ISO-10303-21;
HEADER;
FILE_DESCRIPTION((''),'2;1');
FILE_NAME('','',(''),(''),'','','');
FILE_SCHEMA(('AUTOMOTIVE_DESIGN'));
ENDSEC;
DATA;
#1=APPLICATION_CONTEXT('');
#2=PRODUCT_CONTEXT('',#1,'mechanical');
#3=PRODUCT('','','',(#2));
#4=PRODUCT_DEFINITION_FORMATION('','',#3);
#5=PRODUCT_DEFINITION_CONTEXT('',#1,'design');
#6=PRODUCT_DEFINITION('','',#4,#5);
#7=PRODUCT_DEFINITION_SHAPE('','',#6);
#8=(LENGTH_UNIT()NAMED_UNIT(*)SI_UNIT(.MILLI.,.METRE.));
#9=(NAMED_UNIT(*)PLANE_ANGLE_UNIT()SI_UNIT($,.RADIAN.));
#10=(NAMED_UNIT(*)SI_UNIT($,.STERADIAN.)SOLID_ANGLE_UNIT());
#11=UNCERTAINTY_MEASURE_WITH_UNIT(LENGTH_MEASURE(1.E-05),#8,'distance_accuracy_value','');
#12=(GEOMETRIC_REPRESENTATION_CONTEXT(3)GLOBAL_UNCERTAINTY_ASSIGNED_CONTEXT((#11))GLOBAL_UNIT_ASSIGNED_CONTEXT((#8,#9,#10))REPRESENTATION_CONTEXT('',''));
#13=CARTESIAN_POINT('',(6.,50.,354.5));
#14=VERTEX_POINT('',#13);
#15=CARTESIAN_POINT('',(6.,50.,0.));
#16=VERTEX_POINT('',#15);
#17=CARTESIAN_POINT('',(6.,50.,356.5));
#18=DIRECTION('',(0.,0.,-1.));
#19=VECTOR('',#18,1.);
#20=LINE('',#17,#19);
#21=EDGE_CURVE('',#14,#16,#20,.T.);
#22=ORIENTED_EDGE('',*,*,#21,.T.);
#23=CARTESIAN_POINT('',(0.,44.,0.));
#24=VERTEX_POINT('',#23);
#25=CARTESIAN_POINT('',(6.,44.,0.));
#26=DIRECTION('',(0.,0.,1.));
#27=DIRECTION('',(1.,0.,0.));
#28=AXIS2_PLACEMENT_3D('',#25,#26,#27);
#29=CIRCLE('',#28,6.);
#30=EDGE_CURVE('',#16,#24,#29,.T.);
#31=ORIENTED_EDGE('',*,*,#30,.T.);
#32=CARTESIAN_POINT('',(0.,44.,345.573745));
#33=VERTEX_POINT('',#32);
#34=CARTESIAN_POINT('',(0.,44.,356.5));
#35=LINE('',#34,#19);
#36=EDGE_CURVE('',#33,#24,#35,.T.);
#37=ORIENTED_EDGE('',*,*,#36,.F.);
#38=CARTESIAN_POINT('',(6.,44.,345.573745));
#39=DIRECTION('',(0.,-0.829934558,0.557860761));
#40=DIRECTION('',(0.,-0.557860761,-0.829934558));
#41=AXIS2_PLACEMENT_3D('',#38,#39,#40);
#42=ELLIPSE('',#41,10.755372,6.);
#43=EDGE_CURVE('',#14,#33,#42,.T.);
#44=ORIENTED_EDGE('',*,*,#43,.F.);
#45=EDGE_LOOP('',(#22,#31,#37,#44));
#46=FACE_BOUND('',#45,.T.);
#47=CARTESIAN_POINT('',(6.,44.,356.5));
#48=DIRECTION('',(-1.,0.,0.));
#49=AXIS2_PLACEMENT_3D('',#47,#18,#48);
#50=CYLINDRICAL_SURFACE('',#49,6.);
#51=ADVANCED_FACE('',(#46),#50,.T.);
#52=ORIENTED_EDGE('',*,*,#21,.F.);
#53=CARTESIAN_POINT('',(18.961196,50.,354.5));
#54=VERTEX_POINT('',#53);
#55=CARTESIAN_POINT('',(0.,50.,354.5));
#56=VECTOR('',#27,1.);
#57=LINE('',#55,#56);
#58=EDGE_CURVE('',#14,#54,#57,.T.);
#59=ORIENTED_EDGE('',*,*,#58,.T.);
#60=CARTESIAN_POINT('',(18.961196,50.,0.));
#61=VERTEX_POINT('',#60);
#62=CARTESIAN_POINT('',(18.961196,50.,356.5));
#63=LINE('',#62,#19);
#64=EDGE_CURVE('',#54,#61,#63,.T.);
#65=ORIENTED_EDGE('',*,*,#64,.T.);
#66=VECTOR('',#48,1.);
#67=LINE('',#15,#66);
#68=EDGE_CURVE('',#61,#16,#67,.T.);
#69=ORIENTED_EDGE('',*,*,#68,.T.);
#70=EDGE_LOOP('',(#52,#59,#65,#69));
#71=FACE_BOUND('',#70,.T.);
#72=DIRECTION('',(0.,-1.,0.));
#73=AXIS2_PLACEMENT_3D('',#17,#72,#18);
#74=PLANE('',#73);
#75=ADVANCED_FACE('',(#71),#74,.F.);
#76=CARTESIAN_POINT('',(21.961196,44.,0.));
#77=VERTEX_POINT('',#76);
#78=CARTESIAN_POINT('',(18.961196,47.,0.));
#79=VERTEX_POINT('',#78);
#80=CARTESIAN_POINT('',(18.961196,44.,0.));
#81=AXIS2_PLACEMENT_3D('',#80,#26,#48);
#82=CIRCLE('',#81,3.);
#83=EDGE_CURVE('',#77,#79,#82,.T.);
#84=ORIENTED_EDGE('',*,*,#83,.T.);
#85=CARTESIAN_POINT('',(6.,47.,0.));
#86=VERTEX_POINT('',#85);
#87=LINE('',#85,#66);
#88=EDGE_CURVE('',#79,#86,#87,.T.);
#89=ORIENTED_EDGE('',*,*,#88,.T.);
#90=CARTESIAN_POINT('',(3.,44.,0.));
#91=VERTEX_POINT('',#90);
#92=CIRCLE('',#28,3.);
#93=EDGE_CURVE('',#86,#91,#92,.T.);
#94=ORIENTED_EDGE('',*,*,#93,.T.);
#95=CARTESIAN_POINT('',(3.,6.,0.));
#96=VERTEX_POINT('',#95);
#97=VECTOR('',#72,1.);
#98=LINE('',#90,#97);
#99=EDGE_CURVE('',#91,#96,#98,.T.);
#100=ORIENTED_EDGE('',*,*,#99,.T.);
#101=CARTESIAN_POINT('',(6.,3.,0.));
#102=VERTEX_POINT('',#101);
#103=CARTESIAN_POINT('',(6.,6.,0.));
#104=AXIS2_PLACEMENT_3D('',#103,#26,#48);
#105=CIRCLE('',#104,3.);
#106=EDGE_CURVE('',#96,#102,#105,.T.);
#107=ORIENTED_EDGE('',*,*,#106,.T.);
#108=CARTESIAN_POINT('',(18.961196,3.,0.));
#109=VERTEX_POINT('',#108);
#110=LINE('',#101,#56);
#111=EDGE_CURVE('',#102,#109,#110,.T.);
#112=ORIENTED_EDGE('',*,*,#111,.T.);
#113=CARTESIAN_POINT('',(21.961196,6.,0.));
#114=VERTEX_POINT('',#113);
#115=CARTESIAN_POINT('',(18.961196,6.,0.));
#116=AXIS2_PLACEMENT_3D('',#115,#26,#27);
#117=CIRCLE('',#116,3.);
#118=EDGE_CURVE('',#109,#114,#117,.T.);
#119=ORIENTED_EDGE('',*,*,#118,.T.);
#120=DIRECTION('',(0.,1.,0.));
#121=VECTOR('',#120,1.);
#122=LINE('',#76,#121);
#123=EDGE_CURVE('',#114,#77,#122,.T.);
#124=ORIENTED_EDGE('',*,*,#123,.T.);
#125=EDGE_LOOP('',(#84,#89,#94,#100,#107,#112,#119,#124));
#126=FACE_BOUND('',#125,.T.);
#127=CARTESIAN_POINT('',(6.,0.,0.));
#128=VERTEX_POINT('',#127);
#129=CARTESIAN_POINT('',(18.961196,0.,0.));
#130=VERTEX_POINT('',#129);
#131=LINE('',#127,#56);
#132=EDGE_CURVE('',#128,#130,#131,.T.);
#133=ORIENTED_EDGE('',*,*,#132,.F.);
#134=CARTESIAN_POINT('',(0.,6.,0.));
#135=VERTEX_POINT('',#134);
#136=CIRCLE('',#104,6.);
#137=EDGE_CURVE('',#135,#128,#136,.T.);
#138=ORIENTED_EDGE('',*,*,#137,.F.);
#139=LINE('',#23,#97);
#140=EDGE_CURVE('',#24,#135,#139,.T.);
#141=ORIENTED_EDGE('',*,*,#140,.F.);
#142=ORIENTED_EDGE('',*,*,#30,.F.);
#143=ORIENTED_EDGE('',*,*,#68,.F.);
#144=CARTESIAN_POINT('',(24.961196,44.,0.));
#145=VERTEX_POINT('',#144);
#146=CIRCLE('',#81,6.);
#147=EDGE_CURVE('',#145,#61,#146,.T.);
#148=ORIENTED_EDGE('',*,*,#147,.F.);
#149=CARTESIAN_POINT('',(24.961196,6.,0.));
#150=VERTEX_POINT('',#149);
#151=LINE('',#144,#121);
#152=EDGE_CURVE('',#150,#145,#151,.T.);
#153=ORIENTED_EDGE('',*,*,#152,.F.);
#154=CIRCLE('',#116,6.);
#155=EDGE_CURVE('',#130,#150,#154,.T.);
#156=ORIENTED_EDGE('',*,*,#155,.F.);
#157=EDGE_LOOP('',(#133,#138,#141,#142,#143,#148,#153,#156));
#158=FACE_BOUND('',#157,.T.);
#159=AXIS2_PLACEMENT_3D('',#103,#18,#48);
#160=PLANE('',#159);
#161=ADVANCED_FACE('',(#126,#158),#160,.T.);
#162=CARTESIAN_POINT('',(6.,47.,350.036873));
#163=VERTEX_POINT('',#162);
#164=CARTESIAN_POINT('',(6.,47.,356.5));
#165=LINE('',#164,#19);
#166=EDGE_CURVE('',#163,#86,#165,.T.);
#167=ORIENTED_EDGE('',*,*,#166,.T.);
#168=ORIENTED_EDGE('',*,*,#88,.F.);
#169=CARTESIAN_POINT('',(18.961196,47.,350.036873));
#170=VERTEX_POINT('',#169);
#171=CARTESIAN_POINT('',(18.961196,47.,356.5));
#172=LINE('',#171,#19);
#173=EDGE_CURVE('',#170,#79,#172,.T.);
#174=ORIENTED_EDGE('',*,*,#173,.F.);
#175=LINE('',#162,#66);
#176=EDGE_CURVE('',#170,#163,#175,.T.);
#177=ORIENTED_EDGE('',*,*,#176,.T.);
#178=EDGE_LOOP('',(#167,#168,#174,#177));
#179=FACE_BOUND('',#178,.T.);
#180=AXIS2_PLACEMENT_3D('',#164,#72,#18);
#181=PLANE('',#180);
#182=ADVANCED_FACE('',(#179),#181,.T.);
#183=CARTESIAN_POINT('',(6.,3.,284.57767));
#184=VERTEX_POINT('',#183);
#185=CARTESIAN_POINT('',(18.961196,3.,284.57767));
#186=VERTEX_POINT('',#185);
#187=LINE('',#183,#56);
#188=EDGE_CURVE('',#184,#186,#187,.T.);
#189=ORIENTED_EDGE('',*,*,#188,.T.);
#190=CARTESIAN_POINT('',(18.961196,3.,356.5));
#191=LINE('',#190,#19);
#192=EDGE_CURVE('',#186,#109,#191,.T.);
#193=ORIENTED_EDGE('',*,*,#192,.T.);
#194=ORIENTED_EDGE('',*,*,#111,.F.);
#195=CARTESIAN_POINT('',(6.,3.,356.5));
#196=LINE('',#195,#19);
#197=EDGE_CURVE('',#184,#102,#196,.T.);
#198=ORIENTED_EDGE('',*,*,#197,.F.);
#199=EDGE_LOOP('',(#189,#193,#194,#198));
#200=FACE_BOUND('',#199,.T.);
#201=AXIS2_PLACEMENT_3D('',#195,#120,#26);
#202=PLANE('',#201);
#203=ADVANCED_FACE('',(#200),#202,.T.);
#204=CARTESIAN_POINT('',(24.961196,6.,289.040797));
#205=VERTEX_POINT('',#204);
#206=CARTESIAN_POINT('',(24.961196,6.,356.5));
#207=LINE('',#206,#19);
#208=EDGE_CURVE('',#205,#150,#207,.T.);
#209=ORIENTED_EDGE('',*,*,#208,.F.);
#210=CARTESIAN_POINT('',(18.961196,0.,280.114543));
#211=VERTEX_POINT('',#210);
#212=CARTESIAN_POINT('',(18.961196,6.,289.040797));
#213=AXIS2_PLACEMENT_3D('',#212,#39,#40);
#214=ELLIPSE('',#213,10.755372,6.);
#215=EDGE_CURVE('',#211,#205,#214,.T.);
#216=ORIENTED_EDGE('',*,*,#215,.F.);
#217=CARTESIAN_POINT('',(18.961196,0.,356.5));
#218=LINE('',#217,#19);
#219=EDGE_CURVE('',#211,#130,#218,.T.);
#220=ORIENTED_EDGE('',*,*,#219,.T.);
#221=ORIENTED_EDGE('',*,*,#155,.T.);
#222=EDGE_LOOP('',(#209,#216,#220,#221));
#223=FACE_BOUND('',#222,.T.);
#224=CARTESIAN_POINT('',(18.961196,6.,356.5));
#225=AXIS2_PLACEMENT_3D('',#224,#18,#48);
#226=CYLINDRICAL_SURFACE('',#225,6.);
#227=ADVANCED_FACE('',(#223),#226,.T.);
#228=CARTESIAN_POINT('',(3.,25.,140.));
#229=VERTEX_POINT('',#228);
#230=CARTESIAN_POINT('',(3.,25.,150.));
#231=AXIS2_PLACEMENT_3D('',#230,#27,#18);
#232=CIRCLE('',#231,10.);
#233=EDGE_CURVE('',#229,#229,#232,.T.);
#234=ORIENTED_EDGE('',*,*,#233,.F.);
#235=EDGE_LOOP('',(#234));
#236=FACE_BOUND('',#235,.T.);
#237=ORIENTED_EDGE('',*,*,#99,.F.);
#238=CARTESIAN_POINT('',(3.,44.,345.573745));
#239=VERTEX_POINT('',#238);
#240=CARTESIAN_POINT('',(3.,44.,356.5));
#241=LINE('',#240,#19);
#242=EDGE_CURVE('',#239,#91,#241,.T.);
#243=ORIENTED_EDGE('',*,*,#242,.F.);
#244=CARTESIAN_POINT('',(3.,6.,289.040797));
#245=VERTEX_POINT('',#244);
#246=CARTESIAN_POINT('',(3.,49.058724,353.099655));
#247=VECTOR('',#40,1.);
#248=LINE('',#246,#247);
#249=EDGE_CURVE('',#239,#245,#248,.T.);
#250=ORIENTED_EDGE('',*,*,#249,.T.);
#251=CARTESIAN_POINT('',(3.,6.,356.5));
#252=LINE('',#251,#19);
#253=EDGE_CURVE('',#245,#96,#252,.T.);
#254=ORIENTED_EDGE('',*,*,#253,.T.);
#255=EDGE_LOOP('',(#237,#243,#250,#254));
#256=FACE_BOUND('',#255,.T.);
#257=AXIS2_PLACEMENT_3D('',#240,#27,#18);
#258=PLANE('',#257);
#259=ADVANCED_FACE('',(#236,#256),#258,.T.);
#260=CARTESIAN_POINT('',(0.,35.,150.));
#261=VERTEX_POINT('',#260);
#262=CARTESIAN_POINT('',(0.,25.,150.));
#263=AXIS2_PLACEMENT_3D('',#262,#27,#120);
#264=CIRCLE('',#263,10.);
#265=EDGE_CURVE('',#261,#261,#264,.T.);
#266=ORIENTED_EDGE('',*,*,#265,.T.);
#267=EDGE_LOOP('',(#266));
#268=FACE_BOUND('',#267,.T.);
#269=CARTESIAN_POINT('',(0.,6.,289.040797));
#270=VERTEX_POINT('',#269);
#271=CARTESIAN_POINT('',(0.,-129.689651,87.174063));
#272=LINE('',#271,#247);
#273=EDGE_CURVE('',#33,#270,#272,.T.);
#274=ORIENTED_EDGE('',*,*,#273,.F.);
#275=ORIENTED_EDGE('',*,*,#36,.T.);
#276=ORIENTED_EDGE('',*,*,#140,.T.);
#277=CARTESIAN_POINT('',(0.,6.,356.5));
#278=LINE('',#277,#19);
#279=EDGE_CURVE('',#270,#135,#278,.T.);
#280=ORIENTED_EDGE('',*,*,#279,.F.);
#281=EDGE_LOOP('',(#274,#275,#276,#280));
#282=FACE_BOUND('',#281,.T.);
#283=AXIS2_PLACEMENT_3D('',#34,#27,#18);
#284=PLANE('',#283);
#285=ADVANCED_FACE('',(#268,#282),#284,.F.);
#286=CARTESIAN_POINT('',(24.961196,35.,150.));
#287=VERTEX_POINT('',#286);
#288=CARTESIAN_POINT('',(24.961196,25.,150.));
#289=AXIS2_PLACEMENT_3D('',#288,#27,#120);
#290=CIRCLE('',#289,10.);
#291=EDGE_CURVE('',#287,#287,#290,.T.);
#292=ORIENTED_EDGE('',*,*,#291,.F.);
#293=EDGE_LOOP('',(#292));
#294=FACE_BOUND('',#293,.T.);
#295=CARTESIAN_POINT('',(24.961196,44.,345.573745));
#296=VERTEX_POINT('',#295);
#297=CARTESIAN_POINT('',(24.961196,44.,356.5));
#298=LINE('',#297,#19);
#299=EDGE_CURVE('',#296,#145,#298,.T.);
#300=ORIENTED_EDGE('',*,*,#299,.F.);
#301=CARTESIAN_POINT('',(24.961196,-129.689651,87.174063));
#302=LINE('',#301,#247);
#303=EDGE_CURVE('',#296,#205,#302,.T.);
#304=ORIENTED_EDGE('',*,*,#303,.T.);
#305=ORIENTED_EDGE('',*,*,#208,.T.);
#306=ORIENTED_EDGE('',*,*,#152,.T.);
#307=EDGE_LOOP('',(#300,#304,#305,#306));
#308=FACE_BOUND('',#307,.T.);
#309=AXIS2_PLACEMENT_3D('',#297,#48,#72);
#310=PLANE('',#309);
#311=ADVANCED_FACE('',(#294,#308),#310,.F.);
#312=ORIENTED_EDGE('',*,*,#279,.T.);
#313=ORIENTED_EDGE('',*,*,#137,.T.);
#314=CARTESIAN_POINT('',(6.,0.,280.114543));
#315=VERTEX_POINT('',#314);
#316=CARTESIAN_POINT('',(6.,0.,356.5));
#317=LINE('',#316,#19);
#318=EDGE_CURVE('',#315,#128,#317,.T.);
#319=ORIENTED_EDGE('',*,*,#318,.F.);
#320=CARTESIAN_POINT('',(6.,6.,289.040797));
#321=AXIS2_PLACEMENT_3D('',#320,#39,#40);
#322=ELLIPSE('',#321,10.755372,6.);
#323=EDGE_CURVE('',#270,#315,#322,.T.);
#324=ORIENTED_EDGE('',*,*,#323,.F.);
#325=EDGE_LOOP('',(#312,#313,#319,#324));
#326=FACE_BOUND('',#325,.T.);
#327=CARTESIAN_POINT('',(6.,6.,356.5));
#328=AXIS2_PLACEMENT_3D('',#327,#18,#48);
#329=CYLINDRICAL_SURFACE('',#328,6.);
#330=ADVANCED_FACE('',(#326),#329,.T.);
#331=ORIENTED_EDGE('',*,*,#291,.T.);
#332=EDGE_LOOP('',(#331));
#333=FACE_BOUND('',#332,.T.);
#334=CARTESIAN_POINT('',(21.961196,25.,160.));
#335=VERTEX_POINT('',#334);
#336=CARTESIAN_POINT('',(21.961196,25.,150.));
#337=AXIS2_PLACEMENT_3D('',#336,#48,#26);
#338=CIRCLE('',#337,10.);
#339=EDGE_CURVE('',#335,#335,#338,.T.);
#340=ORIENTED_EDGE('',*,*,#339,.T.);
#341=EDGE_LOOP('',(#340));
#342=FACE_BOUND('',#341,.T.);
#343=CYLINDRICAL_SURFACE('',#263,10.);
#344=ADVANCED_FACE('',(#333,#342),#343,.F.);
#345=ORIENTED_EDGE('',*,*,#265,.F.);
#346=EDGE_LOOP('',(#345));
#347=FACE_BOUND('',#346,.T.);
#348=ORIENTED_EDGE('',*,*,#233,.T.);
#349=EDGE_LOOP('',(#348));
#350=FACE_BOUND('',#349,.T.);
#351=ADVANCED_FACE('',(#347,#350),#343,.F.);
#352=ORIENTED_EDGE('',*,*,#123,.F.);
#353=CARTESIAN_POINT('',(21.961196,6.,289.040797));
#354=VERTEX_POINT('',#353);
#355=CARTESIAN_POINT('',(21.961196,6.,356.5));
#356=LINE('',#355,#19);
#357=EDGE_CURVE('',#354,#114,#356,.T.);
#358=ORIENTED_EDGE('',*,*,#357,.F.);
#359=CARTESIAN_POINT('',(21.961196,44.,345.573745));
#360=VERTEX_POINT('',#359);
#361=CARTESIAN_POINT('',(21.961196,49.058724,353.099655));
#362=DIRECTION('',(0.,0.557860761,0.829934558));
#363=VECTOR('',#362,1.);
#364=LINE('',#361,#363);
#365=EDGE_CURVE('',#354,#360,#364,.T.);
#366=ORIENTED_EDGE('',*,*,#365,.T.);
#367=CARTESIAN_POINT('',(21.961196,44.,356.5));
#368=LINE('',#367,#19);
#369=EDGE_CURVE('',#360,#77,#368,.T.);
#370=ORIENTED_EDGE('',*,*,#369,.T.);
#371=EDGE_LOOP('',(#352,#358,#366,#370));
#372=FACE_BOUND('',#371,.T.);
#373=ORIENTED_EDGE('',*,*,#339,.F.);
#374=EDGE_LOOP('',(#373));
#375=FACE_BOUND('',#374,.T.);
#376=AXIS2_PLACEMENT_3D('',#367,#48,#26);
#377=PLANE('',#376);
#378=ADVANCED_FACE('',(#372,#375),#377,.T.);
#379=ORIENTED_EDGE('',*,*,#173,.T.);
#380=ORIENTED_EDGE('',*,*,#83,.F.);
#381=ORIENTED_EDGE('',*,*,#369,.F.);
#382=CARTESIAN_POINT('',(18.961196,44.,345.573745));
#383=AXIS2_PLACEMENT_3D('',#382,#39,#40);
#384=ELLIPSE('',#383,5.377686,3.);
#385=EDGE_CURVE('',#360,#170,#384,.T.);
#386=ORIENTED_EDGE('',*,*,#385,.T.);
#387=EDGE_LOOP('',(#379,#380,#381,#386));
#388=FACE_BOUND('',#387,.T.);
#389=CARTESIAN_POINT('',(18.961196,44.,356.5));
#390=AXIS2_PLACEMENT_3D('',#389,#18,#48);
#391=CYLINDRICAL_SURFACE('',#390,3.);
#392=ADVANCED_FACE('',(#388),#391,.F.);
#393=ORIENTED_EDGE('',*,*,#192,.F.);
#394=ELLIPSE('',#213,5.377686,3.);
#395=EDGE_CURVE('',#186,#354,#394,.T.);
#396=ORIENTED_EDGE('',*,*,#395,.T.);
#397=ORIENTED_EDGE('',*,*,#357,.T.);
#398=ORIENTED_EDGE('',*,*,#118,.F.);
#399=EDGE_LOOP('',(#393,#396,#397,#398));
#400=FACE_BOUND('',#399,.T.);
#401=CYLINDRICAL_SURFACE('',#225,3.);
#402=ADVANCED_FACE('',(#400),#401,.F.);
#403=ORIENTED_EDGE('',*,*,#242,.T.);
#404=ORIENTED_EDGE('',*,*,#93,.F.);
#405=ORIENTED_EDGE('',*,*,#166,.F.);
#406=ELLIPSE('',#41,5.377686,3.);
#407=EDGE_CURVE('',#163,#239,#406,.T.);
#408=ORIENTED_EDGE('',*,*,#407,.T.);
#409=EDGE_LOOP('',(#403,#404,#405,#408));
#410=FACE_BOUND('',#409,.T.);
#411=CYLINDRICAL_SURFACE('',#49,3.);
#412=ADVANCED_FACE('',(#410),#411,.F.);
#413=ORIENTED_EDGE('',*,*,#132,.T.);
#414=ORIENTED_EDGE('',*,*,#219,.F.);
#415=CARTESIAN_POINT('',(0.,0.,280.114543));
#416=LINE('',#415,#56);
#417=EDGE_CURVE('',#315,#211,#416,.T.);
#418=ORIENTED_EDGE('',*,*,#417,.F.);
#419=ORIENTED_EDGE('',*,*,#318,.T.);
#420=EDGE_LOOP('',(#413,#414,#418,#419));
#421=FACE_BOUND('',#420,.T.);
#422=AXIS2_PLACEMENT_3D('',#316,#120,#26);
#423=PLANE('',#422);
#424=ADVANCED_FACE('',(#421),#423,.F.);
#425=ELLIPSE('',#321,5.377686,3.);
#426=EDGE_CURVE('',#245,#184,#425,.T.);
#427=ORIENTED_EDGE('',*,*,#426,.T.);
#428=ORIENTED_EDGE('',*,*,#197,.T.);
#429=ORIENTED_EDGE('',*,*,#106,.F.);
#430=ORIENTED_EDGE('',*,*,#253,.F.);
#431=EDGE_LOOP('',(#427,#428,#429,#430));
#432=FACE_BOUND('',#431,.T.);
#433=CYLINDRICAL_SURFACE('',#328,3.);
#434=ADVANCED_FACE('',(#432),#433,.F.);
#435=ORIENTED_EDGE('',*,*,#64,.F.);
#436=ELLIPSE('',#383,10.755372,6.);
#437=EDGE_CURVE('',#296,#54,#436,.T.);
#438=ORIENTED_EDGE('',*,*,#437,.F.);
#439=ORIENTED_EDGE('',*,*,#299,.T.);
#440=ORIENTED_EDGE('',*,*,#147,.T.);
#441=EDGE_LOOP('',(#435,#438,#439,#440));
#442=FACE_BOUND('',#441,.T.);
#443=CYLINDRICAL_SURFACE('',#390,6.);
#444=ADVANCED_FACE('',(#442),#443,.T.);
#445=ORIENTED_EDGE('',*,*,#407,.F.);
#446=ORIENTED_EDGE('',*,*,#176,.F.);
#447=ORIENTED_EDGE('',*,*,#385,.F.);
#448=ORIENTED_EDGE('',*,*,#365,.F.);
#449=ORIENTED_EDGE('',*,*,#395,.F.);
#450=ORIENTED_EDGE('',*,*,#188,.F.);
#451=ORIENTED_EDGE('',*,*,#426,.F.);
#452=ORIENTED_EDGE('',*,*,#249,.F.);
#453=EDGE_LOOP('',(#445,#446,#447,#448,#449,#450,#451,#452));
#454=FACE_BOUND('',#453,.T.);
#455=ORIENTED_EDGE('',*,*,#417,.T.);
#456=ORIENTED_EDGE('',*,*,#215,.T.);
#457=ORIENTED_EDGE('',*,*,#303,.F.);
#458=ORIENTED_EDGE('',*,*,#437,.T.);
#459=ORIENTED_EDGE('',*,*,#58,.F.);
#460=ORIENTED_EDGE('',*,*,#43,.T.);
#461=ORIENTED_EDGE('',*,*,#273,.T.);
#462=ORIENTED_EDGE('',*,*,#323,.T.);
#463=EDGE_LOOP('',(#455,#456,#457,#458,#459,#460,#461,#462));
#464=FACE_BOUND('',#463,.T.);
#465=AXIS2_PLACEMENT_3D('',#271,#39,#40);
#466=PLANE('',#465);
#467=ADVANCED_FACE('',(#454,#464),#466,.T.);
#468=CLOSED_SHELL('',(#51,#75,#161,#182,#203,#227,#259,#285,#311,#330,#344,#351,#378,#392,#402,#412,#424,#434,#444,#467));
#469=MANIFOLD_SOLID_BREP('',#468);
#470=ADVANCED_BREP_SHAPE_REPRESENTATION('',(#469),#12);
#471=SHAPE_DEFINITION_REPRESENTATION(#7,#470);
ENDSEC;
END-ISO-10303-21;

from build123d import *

# Parameters (mm, degrees)
BOSS_EXTRUDE1_DEPTH = 356.5
CUT_EXTRUDE1_DEPTH  = 361.853587106
SKETCH3_R           = 10
CUT_EXTRUDE2_DEPTH  = 359.877850149


with BuildPart() as part:
    # Sketch1 → Boss-Extrude1 (new body)
    with BuildSketch(Plane.XY):
        with BuildLine():
            Line((0, 44), (0, 6))
            ThreePointArc((0, 6), (1.757359313, 1.757359313), (6, 0))
            Line((6, 0), (18.96119643, 0))
            ThreePointArc((18.96119643, 0), (23.203837117, 1.757359313), (24.96119643, 6))
            Line((24.96119643, 6), (24.96119643, 44))
            ThreePointArc((24.96119643, 44), (23.203837117, 48.242640687), (18.96119643, 50))
            Line((18.96119643, 50), (6, 50))
            ThreePointArc((6, 50), (1.757359313, 48.242640687), (0, 44))
        make_face()
        with BuildLine():
            Line((3, 44), (3, 6))
            ThreePointArc((3, 6), (3.878679656, 3.878679656), (6, 3))
            Line((6, 3), (18.96119643, 3))
            ThreePointArc((18.96119643, 3), (21.082516774, 3.878679656), (21.96119643, 6))
            Line((21.96119643, 6), (21.96119643, 44))
            ThreePointArc((21.96119643, 44), (21.082516774, 46.121320344), (18.96119643, 47))
            Line((18.96119643, 47), (6, 47))
            ThreePointArc((6, 47), (3.878679656, 46.121320344), (3, 44))
        make_face(mode=Mode.SUBTRACT)
    extrude(amount=BOSS_EXTRUDE1_DEPTH)

    # Sketch2 → Cut-Extrude1 (cut, through all)
    with BuildSketch(Plane(origin=(24.96119643, 0, 0), x_dir=(0, 0, -1), z_dir=(1, 0, 0))):
        Polygon((-354.5, 50), (-356.5, 50), (-356.5, 0), (-291.6, 0), (-280.114542558, 0), align=None)
    extrude(amount=-CUT_EXTRUDE1_DEPTH, mode=Mode.SUBTRACT)

    # Sketch3 → Cut-Extrude2 (cut, through all)
    with BuildSketch(Plane(origin=(24.96119643, 0, 0), x_dir=(0, 0, -1), z_dir=(1, 0, 0))):
        with Locations(Location((-150, 25, 0), (0, 0, 90))):
            Circle(SKETCH3_R)
    extrude(amount=-CUT_EXTRUDE2_DEPTH, mode=Mode.SUBTRACT)


solid = part.part
